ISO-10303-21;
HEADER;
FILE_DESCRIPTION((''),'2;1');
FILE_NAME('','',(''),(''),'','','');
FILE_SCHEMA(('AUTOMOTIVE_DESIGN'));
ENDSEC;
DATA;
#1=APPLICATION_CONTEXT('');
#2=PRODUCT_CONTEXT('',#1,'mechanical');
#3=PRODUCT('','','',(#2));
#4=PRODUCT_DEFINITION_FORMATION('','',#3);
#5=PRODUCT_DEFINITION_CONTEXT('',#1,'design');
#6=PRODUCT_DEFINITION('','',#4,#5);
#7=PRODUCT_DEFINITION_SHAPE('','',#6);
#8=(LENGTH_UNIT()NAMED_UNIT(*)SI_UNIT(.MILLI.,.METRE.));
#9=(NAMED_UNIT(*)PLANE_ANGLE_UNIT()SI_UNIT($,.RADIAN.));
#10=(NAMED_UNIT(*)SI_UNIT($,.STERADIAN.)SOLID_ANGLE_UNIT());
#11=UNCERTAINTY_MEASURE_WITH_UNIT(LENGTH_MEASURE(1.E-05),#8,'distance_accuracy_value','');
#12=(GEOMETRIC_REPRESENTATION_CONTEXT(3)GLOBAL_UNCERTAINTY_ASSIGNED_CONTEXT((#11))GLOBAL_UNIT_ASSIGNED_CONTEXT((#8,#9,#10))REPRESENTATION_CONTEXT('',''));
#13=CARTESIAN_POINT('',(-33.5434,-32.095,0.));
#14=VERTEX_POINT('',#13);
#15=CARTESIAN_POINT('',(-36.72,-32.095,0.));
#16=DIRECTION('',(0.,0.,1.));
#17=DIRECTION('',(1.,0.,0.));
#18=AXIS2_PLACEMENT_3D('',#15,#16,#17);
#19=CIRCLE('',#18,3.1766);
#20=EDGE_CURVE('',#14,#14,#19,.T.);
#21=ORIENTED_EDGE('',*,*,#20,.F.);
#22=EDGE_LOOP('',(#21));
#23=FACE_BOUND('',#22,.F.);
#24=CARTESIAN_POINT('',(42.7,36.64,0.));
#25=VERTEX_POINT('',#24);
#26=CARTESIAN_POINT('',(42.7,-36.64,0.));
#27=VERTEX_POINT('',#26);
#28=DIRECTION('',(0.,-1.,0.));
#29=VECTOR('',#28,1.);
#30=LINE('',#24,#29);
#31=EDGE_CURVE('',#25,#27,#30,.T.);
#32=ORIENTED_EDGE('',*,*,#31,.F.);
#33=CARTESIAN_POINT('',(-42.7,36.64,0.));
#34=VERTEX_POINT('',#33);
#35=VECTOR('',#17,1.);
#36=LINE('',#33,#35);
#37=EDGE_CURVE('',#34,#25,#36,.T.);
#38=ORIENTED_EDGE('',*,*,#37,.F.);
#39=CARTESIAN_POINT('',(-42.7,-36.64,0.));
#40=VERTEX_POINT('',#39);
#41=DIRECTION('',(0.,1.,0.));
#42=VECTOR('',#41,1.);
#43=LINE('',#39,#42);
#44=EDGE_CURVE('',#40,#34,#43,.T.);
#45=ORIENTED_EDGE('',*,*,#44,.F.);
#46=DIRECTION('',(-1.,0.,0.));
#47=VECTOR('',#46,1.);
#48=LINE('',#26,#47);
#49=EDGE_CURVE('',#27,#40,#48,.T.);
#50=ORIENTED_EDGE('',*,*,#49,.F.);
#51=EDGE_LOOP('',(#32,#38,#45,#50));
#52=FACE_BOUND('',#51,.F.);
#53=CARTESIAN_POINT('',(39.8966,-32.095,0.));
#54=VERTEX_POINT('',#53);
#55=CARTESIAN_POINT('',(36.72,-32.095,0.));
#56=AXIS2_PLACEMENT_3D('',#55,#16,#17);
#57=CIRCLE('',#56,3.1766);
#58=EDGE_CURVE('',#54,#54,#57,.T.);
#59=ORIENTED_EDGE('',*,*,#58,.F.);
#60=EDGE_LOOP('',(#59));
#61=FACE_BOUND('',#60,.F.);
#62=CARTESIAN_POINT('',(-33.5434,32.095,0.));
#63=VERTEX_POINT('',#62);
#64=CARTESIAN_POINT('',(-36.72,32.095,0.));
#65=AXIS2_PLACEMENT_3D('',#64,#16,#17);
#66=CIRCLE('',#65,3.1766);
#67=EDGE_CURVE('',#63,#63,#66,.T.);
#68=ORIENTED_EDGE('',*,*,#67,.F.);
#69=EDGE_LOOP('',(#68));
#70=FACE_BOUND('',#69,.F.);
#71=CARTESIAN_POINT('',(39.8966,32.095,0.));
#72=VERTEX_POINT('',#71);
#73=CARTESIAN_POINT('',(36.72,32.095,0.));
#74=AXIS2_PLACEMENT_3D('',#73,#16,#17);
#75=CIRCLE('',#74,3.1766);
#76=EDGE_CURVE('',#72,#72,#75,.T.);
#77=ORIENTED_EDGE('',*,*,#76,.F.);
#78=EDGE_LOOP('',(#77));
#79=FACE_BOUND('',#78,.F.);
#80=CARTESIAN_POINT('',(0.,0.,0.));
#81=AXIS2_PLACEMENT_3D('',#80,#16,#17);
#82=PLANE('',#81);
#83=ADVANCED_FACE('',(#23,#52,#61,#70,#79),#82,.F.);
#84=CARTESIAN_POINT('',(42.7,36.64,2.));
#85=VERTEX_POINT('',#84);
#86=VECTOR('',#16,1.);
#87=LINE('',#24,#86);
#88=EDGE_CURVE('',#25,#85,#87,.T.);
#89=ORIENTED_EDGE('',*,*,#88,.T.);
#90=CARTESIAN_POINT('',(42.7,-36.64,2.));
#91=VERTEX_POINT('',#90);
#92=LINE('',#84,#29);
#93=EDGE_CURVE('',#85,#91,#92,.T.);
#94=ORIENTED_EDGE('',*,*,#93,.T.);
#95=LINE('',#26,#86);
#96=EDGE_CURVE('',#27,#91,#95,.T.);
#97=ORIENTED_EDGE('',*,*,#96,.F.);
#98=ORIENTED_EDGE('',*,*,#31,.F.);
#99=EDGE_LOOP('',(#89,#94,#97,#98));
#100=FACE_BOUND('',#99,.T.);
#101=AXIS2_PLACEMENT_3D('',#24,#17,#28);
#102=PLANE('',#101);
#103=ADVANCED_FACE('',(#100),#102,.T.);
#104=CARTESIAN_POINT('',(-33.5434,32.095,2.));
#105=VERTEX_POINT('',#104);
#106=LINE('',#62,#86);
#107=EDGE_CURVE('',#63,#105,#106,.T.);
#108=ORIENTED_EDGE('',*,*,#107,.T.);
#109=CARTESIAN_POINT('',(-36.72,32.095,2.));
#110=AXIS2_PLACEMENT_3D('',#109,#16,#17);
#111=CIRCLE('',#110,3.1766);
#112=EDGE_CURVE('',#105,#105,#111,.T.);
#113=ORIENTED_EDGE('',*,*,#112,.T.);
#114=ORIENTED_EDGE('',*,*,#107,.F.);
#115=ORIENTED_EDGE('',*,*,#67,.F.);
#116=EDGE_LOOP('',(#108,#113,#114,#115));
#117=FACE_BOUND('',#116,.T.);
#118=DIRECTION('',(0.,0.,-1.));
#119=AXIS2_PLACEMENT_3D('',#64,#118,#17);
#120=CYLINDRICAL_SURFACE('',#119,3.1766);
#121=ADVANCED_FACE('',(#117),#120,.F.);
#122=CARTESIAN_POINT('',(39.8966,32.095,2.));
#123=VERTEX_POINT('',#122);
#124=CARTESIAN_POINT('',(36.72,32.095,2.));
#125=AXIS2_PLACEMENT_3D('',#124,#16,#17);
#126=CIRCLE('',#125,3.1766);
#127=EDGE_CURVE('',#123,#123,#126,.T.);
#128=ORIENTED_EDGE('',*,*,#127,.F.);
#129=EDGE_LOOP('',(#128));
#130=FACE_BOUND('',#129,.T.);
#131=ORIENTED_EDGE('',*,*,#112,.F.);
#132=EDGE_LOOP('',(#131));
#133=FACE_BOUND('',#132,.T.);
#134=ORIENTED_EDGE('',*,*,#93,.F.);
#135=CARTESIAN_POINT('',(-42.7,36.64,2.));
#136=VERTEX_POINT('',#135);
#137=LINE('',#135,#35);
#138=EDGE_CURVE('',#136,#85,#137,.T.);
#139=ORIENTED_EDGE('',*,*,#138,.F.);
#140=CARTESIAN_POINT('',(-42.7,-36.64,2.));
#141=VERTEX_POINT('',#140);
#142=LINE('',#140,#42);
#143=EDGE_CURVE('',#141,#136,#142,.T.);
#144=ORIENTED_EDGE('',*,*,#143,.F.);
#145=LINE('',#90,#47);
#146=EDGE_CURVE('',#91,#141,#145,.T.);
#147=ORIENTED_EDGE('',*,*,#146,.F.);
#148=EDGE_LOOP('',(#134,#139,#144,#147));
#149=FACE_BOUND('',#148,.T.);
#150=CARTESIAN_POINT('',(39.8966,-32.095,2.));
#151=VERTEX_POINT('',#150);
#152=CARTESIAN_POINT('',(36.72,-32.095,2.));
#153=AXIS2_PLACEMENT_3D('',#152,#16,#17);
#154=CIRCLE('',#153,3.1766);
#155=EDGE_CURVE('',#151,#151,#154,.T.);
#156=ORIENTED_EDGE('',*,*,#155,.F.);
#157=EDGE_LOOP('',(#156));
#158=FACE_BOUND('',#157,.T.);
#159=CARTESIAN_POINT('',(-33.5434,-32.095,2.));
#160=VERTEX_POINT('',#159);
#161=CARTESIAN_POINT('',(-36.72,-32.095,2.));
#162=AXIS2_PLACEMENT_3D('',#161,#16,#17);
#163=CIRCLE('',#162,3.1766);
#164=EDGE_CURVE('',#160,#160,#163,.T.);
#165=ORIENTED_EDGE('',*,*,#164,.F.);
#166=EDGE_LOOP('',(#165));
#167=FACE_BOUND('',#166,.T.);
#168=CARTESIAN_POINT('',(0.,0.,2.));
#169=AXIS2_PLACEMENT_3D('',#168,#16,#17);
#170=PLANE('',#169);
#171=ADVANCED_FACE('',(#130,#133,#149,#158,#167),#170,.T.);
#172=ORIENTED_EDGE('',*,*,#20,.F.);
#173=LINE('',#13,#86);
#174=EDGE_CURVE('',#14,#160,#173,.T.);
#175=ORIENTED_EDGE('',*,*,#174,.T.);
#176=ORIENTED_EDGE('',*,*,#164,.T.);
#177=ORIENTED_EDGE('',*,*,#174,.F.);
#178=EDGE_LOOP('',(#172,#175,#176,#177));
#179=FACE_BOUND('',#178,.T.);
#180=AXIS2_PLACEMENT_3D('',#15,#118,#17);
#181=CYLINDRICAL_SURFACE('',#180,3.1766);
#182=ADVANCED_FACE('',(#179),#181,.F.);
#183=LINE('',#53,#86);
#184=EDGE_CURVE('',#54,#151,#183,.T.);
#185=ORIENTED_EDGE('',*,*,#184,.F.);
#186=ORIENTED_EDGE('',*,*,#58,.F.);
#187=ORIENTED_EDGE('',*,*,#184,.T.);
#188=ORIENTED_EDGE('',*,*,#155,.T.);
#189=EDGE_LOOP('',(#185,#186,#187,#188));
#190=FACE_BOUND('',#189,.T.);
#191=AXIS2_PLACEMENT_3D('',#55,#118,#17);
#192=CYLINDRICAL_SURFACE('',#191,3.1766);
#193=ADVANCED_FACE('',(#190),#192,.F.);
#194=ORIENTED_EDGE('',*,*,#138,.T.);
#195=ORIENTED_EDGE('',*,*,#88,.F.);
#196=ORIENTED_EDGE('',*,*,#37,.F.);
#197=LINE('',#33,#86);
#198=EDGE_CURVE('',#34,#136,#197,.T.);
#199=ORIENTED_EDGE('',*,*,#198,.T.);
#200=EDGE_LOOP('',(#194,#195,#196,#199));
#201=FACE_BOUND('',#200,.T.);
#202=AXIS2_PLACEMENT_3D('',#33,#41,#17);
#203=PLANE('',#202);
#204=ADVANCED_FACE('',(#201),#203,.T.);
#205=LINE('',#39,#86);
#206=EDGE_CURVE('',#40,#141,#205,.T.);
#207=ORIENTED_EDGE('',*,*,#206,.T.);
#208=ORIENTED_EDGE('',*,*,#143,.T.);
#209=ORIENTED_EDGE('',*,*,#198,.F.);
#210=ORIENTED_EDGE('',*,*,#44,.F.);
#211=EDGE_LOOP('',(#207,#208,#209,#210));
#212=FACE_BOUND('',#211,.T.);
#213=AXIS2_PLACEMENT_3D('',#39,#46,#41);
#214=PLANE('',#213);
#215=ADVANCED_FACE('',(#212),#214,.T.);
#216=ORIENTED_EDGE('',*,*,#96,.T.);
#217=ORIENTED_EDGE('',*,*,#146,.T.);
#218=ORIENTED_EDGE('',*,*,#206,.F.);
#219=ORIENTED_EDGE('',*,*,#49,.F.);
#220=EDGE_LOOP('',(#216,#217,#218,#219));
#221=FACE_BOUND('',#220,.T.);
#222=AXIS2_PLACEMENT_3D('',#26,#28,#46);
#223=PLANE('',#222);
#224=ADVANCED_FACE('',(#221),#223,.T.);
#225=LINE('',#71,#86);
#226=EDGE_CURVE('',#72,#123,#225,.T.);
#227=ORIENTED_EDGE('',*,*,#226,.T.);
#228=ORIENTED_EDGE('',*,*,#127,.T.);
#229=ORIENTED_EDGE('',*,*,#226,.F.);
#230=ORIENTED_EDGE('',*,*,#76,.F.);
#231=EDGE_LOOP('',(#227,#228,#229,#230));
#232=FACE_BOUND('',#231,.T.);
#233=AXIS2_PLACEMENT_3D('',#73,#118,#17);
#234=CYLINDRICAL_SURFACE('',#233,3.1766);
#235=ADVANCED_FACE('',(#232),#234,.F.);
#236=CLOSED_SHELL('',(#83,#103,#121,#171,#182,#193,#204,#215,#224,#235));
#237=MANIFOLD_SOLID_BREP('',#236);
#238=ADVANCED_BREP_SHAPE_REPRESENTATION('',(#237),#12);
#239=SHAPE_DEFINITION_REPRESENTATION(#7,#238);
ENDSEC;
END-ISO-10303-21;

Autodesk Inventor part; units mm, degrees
ref_plane "YZ Plane" through (0, 0, 0) normal (1, 0, 0) x (0, 1, 0)
ref_plane "XZ Plane" through (0, 0, 0) normal (0, 1, 0) x (-1, 0, 0)
ref_plane "XY Plane" through (0, 0, 0) normal (0, 0, 1) x (1, 0, 0)
sketch "스케치1" plane through (0, 0, 0) normal (0, 0, 1) x (1, 0, 0)
  line L0 (-42.7, 36.64) -> (42.7, 36.64)
  line L1 (42.7, 36.64) -> (42.7, -36.64)
  line L2 (42.7, -36.64) -> (-42.7, -36.64)
  line L3 (-42.7, -36.64) -> (-42.7, 36.64)
  line L4 (-42.7, 36.64) -> (42.7, -36.64) construction
  line L5 (42.7, 36.64) -> (-42.7, -36.64) construction
  circle A0 centre (36.72, 32.095) radius 3.1766
  line L6 (0, 0) -> (11.0996, 0) construction
  line L7 (0, 0) -> (0, 13.4158) construction
  circle A1 centre (-36.72, 32.095) radius 3.1766
  circle A2 centre (36.72, -32.095) radius 3.1766
  circle A3 centre (-36.72, -32.095) radius 3.1766
  dimension "d0" = 85.4
  dimension "d1" = 73.28
  dimension "d2" = 64.19
  dimension "d3" = 73.44
extrude "돌출1" add sketch "스케치1" along normal blind 2
properties part number "lcd 디스플레이"
